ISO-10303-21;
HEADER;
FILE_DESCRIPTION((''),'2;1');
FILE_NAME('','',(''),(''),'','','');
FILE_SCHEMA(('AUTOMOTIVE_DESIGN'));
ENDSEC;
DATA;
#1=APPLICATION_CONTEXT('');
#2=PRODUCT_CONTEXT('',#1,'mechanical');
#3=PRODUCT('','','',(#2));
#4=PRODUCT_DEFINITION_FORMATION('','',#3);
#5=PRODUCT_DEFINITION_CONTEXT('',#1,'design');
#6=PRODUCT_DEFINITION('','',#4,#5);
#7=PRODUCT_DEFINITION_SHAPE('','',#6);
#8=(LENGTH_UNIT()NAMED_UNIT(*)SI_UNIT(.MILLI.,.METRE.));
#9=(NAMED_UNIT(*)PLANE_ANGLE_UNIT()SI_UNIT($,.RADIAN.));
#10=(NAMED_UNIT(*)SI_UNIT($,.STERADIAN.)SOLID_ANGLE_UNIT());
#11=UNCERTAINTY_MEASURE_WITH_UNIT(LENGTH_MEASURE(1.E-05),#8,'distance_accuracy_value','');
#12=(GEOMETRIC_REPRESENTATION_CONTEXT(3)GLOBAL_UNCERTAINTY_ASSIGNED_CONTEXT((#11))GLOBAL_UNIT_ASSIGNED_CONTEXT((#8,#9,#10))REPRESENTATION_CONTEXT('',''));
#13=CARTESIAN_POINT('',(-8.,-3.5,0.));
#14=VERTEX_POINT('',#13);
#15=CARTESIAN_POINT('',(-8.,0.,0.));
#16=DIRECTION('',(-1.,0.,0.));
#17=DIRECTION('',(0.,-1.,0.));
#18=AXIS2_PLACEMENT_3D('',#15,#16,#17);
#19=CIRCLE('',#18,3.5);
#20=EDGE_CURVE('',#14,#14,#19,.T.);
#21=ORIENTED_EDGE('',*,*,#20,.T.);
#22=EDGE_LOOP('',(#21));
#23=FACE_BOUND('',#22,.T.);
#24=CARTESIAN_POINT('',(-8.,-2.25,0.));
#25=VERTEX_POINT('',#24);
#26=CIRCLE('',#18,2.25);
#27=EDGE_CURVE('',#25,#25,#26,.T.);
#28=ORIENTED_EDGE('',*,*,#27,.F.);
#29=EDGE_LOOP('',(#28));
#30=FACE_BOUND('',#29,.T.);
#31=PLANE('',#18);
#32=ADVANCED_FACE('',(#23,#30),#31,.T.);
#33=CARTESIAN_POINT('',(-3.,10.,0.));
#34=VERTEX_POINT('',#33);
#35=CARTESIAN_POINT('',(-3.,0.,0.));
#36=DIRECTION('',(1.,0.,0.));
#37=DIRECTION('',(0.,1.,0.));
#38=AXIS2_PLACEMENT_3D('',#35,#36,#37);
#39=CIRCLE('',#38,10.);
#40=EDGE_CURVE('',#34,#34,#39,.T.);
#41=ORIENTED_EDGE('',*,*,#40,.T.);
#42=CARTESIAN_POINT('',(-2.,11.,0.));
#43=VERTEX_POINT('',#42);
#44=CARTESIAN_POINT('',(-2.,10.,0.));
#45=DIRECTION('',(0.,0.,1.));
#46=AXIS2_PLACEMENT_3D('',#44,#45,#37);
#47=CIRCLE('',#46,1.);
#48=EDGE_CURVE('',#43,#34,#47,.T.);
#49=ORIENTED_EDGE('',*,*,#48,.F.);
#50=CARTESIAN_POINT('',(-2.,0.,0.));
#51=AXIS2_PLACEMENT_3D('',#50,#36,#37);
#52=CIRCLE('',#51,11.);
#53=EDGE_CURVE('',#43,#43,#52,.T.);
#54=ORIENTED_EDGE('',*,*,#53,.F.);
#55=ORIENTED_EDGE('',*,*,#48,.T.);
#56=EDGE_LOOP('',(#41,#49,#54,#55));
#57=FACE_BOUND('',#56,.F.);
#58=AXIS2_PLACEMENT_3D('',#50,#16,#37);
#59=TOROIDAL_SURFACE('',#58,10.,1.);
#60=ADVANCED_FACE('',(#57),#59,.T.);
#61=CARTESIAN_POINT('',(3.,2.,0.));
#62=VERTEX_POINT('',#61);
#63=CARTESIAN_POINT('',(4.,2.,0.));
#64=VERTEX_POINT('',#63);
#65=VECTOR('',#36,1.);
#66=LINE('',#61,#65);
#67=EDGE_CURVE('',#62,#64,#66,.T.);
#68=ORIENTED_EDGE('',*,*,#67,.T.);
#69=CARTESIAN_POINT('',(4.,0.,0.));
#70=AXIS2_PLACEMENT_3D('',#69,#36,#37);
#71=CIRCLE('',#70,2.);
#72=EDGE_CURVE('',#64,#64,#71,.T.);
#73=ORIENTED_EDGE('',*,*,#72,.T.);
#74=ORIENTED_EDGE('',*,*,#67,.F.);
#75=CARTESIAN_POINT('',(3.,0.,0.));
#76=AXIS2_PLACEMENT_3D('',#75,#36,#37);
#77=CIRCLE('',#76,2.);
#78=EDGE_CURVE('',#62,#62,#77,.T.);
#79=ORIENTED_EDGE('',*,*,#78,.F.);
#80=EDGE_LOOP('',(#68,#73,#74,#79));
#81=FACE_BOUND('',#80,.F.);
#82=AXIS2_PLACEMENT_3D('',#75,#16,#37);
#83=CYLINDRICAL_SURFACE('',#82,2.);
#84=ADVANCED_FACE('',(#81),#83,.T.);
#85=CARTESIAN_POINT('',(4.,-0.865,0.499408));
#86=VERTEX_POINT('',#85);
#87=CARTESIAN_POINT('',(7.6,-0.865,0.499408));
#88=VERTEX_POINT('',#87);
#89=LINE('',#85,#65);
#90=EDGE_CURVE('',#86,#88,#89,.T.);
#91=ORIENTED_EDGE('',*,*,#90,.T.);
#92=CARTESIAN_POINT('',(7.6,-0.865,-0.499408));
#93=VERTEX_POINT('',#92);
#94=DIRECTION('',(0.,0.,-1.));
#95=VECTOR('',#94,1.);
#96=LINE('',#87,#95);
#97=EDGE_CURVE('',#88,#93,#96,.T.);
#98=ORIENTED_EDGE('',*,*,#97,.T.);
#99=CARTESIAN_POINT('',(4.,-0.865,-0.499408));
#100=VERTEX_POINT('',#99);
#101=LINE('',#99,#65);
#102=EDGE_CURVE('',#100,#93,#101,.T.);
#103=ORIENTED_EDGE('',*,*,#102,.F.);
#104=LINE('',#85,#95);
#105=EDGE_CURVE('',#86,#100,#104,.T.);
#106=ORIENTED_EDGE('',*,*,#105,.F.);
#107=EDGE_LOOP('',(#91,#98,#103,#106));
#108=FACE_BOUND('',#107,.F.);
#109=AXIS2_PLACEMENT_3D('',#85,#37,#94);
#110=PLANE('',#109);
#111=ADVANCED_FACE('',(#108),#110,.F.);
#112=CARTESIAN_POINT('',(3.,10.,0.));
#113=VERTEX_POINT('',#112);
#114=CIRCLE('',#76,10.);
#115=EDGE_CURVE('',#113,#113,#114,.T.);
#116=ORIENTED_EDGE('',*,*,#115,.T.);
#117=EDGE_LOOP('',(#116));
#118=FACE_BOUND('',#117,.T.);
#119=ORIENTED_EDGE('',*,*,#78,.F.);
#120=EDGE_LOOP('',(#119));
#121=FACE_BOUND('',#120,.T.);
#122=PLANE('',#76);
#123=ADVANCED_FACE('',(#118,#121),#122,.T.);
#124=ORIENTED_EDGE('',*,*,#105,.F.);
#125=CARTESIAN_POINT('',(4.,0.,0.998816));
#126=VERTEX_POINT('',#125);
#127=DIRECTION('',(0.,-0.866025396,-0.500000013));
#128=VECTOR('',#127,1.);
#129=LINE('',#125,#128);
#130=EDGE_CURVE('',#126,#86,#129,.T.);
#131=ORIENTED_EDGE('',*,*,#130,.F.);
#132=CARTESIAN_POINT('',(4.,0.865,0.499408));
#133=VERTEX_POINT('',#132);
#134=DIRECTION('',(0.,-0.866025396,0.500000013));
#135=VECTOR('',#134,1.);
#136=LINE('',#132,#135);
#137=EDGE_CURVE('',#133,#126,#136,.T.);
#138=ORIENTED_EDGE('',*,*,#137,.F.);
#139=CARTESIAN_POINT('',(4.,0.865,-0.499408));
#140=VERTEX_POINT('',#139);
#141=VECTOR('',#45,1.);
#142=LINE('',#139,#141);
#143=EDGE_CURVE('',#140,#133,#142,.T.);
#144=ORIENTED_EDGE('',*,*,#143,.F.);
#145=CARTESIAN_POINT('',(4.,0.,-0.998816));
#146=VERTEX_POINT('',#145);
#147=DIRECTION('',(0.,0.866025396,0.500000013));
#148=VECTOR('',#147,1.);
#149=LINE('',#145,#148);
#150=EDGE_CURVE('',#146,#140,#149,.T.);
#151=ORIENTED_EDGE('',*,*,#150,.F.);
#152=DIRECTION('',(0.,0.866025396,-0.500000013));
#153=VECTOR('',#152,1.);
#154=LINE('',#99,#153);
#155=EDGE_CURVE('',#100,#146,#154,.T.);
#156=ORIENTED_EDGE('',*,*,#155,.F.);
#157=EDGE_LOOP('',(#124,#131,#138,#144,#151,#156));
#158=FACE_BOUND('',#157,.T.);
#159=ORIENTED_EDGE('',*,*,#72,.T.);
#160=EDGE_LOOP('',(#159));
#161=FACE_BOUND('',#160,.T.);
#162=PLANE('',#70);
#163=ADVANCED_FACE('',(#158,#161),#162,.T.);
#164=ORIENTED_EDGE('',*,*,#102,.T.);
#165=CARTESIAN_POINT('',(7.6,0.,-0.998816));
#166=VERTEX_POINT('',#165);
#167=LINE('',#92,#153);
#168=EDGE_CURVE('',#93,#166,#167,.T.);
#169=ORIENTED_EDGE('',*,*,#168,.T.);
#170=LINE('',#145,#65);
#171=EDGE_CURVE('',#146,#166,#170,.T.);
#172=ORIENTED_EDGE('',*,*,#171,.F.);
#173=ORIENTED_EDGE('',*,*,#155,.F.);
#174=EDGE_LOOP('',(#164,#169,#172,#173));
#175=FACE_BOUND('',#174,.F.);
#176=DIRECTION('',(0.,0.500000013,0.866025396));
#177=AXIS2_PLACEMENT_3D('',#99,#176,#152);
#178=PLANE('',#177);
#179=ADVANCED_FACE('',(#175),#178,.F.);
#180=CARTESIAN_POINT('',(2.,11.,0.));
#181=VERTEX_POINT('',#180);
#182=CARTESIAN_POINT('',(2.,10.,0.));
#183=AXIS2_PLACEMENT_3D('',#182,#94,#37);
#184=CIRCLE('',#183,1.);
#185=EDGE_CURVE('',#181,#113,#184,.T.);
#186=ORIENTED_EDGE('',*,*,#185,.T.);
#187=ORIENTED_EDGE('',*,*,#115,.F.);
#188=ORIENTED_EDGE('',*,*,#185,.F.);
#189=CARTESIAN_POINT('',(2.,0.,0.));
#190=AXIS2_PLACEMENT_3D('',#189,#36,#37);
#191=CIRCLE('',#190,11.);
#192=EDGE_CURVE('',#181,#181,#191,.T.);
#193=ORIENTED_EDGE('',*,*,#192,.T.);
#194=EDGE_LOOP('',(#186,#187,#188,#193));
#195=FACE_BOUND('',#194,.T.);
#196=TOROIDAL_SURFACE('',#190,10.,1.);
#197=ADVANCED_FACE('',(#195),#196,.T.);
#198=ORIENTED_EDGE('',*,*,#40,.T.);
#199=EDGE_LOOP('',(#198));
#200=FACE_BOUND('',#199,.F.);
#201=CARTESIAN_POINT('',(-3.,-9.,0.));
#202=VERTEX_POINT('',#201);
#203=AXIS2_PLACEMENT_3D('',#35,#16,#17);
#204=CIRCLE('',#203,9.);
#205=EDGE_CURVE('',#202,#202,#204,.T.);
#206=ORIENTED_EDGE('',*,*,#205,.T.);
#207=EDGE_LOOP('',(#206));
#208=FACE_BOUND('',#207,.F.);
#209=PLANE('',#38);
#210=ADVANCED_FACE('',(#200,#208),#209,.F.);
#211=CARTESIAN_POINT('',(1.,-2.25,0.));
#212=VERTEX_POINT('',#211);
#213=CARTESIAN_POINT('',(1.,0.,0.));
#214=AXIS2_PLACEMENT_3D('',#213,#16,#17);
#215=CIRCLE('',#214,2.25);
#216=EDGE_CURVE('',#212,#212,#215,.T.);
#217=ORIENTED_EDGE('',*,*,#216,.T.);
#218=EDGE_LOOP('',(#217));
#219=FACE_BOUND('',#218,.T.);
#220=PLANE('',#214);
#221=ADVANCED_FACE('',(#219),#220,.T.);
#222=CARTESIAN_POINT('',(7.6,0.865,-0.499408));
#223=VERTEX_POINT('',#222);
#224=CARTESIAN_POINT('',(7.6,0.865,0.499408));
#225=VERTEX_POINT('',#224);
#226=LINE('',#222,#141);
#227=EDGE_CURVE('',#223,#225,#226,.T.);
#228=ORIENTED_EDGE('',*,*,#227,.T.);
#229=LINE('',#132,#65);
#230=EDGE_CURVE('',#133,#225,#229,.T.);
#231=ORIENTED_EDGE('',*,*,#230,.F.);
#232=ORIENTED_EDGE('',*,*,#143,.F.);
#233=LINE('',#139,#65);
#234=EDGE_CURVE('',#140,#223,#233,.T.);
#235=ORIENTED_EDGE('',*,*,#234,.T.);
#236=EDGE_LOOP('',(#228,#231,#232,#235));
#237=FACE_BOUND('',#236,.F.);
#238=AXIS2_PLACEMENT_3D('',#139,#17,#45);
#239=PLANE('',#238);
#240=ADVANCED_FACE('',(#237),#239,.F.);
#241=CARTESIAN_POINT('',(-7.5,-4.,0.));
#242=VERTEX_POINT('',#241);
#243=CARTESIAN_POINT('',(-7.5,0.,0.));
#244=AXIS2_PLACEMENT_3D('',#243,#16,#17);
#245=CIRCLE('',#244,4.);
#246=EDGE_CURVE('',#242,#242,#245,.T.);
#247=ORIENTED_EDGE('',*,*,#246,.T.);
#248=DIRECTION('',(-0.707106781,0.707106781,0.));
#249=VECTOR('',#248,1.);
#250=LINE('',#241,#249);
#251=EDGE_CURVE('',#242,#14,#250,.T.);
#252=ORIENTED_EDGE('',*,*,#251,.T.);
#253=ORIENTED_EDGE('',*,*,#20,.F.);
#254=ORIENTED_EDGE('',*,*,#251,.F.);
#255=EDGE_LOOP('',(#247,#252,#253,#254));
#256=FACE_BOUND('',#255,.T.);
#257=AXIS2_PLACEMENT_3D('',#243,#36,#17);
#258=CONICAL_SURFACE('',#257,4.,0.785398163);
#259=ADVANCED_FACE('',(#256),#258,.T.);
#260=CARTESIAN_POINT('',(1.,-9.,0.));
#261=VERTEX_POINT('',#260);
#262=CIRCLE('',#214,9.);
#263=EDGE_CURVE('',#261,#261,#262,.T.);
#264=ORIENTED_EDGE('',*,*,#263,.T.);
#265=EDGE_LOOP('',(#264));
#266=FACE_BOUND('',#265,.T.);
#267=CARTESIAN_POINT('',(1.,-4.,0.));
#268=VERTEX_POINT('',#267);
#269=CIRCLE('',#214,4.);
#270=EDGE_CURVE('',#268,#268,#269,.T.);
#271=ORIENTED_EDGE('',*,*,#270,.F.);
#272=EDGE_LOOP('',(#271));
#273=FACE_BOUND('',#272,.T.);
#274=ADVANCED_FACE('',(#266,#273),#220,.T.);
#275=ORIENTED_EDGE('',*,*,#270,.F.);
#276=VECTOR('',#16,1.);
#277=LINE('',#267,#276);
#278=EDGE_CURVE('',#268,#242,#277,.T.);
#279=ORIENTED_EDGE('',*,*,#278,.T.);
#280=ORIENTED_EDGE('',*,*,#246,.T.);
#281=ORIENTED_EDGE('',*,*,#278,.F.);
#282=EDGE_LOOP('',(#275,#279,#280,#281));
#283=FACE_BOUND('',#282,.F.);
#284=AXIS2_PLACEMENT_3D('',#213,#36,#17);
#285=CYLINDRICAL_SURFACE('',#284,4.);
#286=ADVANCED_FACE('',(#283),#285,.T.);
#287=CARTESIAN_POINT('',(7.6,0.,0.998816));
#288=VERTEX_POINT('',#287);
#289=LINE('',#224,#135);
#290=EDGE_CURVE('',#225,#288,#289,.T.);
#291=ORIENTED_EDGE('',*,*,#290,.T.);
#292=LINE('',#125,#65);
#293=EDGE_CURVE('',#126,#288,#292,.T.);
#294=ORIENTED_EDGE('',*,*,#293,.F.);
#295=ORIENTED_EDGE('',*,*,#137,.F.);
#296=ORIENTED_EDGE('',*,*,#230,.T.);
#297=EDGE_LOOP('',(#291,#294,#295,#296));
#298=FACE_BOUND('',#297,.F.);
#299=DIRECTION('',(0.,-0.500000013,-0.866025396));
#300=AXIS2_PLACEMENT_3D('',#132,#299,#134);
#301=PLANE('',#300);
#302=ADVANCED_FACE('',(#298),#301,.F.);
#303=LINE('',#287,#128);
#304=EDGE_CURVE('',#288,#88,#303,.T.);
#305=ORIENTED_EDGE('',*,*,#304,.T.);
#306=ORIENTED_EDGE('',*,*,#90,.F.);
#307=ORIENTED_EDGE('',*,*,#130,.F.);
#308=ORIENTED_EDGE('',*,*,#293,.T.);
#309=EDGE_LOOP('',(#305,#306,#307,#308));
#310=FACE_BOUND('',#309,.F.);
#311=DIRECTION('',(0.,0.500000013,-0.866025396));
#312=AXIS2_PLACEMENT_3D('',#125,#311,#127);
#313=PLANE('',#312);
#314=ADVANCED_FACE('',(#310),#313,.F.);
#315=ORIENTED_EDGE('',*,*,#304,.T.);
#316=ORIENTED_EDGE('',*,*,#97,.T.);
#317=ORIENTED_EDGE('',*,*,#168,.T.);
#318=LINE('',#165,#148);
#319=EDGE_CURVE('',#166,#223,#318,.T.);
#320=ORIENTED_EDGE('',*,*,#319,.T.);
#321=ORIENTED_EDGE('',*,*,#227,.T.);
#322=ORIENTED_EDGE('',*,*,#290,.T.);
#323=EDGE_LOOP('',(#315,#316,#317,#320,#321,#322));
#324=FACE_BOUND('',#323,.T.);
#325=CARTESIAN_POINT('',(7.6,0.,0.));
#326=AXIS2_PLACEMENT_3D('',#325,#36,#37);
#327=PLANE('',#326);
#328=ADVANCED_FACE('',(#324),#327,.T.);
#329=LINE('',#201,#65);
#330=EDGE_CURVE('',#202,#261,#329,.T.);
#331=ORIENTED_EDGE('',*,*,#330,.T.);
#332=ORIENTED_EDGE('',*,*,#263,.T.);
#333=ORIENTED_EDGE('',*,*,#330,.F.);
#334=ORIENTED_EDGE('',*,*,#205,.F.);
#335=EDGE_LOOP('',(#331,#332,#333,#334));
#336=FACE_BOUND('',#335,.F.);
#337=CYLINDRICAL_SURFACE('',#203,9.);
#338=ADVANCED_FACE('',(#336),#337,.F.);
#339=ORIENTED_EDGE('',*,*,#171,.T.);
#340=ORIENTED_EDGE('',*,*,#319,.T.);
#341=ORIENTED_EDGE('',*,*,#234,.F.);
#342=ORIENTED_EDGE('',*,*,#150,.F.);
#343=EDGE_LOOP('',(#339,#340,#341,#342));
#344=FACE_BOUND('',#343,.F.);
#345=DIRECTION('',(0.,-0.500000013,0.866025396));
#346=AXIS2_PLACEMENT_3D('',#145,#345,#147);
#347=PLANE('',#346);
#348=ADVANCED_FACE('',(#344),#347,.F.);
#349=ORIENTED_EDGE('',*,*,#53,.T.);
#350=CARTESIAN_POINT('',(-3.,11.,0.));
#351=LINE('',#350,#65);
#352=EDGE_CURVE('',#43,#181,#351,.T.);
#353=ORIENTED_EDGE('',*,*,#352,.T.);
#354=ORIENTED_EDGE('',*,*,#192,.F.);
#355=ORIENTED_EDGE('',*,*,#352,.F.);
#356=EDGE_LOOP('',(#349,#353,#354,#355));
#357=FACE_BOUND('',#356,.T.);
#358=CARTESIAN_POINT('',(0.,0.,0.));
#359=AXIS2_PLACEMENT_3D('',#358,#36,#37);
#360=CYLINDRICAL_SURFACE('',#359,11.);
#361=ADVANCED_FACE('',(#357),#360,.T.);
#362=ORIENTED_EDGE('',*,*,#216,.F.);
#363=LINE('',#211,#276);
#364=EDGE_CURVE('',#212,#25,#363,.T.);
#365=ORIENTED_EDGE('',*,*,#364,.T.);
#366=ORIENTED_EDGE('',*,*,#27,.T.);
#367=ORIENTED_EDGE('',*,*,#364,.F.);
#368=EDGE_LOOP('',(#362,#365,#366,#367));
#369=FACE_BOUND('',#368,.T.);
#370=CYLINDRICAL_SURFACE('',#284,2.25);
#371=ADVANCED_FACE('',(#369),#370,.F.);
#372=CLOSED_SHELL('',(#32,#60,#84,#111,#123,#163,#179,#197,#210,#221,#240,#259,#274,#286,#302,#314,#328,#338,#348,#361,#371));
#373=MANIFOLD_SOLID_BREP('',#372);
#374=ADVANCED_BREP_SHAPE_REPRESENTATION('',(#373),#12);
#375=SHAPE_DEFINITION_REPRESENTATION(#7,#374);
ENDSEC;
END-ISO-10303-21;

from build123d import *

# Parameters (mm, degrees)
F0_R      = 11
F1_DEPTH  = 3
F2_R      = 1
F3_R      = 9
F4_DEPTH  = 4
F5_R      = 4
F5_R_2    = 2.25
F6_DEPTH  = 9
F7_R      = 2
F8_DEPTH  = 1
F10_DEPTH = 3.6
F11_SIZE  = 0.5


with BuildPart() as f1:
    # F0 (on Right) → F1 (new body, symmetric)
    with BuildSketch(Plane.YZ):
        Circle(F0_R)
    extrude(amount=F1_DEPTH, both=True)

    # F2
    f2_edges = [f1.edges().sort_by_distance(p)[0] for p in [
        (-3, -11, 0),
        (3, -11, 0),
    ]]
    fillet(f2_edges, radius=F2_R)

    # F3 (on face) → F4 (cut)
    with BuildSketch(Plane(origin=(-3, 0, 0), x_dir=(0, -1, 0), z_dir=(-1, 0, 0))):
        Circle(F3_R)
    extrude(amount=-F4_DEPTH, mode=Mode.SUBTRACT)

    # F5 (on face) → F6 (join)
    with BuildSketch(Plane(origin=(1, 0, 0), x_dir=(0, -1, 0), z_dir=(-1, 0, 0))):
        Circle(F5_R)
        Circle(F5_R_2, mode=Mode.SUBTRACT)
    extrude(amount=F6_DEPTH)

    # F7 (on face) → F8 (join)
    with BuildSketch(Plane.YZ.offset(3)):
        Circle(F7_R)
    extrude(amount=F8_DEPTH)

    # F9 (on face) → F10 (join)
    with BuildSketch(Plane.YZ.offset(4)):
        Polygon((0.865, -0.499408), (0.865, 0.499408), (0, 0.998816), (-0.865, 0.499408), (-0.865, -0.499408), (0, -0.998816), align=None)
    extrude(amount=F10_DEPTH)

    # F11
    f11_edges = [f1.edges().sort_by_distance(p)[0] for p in [
        (-8, 4, 0),
    ]]
    chamfer(f11_edges, length=F11_SIZE)


solid = f1.part
